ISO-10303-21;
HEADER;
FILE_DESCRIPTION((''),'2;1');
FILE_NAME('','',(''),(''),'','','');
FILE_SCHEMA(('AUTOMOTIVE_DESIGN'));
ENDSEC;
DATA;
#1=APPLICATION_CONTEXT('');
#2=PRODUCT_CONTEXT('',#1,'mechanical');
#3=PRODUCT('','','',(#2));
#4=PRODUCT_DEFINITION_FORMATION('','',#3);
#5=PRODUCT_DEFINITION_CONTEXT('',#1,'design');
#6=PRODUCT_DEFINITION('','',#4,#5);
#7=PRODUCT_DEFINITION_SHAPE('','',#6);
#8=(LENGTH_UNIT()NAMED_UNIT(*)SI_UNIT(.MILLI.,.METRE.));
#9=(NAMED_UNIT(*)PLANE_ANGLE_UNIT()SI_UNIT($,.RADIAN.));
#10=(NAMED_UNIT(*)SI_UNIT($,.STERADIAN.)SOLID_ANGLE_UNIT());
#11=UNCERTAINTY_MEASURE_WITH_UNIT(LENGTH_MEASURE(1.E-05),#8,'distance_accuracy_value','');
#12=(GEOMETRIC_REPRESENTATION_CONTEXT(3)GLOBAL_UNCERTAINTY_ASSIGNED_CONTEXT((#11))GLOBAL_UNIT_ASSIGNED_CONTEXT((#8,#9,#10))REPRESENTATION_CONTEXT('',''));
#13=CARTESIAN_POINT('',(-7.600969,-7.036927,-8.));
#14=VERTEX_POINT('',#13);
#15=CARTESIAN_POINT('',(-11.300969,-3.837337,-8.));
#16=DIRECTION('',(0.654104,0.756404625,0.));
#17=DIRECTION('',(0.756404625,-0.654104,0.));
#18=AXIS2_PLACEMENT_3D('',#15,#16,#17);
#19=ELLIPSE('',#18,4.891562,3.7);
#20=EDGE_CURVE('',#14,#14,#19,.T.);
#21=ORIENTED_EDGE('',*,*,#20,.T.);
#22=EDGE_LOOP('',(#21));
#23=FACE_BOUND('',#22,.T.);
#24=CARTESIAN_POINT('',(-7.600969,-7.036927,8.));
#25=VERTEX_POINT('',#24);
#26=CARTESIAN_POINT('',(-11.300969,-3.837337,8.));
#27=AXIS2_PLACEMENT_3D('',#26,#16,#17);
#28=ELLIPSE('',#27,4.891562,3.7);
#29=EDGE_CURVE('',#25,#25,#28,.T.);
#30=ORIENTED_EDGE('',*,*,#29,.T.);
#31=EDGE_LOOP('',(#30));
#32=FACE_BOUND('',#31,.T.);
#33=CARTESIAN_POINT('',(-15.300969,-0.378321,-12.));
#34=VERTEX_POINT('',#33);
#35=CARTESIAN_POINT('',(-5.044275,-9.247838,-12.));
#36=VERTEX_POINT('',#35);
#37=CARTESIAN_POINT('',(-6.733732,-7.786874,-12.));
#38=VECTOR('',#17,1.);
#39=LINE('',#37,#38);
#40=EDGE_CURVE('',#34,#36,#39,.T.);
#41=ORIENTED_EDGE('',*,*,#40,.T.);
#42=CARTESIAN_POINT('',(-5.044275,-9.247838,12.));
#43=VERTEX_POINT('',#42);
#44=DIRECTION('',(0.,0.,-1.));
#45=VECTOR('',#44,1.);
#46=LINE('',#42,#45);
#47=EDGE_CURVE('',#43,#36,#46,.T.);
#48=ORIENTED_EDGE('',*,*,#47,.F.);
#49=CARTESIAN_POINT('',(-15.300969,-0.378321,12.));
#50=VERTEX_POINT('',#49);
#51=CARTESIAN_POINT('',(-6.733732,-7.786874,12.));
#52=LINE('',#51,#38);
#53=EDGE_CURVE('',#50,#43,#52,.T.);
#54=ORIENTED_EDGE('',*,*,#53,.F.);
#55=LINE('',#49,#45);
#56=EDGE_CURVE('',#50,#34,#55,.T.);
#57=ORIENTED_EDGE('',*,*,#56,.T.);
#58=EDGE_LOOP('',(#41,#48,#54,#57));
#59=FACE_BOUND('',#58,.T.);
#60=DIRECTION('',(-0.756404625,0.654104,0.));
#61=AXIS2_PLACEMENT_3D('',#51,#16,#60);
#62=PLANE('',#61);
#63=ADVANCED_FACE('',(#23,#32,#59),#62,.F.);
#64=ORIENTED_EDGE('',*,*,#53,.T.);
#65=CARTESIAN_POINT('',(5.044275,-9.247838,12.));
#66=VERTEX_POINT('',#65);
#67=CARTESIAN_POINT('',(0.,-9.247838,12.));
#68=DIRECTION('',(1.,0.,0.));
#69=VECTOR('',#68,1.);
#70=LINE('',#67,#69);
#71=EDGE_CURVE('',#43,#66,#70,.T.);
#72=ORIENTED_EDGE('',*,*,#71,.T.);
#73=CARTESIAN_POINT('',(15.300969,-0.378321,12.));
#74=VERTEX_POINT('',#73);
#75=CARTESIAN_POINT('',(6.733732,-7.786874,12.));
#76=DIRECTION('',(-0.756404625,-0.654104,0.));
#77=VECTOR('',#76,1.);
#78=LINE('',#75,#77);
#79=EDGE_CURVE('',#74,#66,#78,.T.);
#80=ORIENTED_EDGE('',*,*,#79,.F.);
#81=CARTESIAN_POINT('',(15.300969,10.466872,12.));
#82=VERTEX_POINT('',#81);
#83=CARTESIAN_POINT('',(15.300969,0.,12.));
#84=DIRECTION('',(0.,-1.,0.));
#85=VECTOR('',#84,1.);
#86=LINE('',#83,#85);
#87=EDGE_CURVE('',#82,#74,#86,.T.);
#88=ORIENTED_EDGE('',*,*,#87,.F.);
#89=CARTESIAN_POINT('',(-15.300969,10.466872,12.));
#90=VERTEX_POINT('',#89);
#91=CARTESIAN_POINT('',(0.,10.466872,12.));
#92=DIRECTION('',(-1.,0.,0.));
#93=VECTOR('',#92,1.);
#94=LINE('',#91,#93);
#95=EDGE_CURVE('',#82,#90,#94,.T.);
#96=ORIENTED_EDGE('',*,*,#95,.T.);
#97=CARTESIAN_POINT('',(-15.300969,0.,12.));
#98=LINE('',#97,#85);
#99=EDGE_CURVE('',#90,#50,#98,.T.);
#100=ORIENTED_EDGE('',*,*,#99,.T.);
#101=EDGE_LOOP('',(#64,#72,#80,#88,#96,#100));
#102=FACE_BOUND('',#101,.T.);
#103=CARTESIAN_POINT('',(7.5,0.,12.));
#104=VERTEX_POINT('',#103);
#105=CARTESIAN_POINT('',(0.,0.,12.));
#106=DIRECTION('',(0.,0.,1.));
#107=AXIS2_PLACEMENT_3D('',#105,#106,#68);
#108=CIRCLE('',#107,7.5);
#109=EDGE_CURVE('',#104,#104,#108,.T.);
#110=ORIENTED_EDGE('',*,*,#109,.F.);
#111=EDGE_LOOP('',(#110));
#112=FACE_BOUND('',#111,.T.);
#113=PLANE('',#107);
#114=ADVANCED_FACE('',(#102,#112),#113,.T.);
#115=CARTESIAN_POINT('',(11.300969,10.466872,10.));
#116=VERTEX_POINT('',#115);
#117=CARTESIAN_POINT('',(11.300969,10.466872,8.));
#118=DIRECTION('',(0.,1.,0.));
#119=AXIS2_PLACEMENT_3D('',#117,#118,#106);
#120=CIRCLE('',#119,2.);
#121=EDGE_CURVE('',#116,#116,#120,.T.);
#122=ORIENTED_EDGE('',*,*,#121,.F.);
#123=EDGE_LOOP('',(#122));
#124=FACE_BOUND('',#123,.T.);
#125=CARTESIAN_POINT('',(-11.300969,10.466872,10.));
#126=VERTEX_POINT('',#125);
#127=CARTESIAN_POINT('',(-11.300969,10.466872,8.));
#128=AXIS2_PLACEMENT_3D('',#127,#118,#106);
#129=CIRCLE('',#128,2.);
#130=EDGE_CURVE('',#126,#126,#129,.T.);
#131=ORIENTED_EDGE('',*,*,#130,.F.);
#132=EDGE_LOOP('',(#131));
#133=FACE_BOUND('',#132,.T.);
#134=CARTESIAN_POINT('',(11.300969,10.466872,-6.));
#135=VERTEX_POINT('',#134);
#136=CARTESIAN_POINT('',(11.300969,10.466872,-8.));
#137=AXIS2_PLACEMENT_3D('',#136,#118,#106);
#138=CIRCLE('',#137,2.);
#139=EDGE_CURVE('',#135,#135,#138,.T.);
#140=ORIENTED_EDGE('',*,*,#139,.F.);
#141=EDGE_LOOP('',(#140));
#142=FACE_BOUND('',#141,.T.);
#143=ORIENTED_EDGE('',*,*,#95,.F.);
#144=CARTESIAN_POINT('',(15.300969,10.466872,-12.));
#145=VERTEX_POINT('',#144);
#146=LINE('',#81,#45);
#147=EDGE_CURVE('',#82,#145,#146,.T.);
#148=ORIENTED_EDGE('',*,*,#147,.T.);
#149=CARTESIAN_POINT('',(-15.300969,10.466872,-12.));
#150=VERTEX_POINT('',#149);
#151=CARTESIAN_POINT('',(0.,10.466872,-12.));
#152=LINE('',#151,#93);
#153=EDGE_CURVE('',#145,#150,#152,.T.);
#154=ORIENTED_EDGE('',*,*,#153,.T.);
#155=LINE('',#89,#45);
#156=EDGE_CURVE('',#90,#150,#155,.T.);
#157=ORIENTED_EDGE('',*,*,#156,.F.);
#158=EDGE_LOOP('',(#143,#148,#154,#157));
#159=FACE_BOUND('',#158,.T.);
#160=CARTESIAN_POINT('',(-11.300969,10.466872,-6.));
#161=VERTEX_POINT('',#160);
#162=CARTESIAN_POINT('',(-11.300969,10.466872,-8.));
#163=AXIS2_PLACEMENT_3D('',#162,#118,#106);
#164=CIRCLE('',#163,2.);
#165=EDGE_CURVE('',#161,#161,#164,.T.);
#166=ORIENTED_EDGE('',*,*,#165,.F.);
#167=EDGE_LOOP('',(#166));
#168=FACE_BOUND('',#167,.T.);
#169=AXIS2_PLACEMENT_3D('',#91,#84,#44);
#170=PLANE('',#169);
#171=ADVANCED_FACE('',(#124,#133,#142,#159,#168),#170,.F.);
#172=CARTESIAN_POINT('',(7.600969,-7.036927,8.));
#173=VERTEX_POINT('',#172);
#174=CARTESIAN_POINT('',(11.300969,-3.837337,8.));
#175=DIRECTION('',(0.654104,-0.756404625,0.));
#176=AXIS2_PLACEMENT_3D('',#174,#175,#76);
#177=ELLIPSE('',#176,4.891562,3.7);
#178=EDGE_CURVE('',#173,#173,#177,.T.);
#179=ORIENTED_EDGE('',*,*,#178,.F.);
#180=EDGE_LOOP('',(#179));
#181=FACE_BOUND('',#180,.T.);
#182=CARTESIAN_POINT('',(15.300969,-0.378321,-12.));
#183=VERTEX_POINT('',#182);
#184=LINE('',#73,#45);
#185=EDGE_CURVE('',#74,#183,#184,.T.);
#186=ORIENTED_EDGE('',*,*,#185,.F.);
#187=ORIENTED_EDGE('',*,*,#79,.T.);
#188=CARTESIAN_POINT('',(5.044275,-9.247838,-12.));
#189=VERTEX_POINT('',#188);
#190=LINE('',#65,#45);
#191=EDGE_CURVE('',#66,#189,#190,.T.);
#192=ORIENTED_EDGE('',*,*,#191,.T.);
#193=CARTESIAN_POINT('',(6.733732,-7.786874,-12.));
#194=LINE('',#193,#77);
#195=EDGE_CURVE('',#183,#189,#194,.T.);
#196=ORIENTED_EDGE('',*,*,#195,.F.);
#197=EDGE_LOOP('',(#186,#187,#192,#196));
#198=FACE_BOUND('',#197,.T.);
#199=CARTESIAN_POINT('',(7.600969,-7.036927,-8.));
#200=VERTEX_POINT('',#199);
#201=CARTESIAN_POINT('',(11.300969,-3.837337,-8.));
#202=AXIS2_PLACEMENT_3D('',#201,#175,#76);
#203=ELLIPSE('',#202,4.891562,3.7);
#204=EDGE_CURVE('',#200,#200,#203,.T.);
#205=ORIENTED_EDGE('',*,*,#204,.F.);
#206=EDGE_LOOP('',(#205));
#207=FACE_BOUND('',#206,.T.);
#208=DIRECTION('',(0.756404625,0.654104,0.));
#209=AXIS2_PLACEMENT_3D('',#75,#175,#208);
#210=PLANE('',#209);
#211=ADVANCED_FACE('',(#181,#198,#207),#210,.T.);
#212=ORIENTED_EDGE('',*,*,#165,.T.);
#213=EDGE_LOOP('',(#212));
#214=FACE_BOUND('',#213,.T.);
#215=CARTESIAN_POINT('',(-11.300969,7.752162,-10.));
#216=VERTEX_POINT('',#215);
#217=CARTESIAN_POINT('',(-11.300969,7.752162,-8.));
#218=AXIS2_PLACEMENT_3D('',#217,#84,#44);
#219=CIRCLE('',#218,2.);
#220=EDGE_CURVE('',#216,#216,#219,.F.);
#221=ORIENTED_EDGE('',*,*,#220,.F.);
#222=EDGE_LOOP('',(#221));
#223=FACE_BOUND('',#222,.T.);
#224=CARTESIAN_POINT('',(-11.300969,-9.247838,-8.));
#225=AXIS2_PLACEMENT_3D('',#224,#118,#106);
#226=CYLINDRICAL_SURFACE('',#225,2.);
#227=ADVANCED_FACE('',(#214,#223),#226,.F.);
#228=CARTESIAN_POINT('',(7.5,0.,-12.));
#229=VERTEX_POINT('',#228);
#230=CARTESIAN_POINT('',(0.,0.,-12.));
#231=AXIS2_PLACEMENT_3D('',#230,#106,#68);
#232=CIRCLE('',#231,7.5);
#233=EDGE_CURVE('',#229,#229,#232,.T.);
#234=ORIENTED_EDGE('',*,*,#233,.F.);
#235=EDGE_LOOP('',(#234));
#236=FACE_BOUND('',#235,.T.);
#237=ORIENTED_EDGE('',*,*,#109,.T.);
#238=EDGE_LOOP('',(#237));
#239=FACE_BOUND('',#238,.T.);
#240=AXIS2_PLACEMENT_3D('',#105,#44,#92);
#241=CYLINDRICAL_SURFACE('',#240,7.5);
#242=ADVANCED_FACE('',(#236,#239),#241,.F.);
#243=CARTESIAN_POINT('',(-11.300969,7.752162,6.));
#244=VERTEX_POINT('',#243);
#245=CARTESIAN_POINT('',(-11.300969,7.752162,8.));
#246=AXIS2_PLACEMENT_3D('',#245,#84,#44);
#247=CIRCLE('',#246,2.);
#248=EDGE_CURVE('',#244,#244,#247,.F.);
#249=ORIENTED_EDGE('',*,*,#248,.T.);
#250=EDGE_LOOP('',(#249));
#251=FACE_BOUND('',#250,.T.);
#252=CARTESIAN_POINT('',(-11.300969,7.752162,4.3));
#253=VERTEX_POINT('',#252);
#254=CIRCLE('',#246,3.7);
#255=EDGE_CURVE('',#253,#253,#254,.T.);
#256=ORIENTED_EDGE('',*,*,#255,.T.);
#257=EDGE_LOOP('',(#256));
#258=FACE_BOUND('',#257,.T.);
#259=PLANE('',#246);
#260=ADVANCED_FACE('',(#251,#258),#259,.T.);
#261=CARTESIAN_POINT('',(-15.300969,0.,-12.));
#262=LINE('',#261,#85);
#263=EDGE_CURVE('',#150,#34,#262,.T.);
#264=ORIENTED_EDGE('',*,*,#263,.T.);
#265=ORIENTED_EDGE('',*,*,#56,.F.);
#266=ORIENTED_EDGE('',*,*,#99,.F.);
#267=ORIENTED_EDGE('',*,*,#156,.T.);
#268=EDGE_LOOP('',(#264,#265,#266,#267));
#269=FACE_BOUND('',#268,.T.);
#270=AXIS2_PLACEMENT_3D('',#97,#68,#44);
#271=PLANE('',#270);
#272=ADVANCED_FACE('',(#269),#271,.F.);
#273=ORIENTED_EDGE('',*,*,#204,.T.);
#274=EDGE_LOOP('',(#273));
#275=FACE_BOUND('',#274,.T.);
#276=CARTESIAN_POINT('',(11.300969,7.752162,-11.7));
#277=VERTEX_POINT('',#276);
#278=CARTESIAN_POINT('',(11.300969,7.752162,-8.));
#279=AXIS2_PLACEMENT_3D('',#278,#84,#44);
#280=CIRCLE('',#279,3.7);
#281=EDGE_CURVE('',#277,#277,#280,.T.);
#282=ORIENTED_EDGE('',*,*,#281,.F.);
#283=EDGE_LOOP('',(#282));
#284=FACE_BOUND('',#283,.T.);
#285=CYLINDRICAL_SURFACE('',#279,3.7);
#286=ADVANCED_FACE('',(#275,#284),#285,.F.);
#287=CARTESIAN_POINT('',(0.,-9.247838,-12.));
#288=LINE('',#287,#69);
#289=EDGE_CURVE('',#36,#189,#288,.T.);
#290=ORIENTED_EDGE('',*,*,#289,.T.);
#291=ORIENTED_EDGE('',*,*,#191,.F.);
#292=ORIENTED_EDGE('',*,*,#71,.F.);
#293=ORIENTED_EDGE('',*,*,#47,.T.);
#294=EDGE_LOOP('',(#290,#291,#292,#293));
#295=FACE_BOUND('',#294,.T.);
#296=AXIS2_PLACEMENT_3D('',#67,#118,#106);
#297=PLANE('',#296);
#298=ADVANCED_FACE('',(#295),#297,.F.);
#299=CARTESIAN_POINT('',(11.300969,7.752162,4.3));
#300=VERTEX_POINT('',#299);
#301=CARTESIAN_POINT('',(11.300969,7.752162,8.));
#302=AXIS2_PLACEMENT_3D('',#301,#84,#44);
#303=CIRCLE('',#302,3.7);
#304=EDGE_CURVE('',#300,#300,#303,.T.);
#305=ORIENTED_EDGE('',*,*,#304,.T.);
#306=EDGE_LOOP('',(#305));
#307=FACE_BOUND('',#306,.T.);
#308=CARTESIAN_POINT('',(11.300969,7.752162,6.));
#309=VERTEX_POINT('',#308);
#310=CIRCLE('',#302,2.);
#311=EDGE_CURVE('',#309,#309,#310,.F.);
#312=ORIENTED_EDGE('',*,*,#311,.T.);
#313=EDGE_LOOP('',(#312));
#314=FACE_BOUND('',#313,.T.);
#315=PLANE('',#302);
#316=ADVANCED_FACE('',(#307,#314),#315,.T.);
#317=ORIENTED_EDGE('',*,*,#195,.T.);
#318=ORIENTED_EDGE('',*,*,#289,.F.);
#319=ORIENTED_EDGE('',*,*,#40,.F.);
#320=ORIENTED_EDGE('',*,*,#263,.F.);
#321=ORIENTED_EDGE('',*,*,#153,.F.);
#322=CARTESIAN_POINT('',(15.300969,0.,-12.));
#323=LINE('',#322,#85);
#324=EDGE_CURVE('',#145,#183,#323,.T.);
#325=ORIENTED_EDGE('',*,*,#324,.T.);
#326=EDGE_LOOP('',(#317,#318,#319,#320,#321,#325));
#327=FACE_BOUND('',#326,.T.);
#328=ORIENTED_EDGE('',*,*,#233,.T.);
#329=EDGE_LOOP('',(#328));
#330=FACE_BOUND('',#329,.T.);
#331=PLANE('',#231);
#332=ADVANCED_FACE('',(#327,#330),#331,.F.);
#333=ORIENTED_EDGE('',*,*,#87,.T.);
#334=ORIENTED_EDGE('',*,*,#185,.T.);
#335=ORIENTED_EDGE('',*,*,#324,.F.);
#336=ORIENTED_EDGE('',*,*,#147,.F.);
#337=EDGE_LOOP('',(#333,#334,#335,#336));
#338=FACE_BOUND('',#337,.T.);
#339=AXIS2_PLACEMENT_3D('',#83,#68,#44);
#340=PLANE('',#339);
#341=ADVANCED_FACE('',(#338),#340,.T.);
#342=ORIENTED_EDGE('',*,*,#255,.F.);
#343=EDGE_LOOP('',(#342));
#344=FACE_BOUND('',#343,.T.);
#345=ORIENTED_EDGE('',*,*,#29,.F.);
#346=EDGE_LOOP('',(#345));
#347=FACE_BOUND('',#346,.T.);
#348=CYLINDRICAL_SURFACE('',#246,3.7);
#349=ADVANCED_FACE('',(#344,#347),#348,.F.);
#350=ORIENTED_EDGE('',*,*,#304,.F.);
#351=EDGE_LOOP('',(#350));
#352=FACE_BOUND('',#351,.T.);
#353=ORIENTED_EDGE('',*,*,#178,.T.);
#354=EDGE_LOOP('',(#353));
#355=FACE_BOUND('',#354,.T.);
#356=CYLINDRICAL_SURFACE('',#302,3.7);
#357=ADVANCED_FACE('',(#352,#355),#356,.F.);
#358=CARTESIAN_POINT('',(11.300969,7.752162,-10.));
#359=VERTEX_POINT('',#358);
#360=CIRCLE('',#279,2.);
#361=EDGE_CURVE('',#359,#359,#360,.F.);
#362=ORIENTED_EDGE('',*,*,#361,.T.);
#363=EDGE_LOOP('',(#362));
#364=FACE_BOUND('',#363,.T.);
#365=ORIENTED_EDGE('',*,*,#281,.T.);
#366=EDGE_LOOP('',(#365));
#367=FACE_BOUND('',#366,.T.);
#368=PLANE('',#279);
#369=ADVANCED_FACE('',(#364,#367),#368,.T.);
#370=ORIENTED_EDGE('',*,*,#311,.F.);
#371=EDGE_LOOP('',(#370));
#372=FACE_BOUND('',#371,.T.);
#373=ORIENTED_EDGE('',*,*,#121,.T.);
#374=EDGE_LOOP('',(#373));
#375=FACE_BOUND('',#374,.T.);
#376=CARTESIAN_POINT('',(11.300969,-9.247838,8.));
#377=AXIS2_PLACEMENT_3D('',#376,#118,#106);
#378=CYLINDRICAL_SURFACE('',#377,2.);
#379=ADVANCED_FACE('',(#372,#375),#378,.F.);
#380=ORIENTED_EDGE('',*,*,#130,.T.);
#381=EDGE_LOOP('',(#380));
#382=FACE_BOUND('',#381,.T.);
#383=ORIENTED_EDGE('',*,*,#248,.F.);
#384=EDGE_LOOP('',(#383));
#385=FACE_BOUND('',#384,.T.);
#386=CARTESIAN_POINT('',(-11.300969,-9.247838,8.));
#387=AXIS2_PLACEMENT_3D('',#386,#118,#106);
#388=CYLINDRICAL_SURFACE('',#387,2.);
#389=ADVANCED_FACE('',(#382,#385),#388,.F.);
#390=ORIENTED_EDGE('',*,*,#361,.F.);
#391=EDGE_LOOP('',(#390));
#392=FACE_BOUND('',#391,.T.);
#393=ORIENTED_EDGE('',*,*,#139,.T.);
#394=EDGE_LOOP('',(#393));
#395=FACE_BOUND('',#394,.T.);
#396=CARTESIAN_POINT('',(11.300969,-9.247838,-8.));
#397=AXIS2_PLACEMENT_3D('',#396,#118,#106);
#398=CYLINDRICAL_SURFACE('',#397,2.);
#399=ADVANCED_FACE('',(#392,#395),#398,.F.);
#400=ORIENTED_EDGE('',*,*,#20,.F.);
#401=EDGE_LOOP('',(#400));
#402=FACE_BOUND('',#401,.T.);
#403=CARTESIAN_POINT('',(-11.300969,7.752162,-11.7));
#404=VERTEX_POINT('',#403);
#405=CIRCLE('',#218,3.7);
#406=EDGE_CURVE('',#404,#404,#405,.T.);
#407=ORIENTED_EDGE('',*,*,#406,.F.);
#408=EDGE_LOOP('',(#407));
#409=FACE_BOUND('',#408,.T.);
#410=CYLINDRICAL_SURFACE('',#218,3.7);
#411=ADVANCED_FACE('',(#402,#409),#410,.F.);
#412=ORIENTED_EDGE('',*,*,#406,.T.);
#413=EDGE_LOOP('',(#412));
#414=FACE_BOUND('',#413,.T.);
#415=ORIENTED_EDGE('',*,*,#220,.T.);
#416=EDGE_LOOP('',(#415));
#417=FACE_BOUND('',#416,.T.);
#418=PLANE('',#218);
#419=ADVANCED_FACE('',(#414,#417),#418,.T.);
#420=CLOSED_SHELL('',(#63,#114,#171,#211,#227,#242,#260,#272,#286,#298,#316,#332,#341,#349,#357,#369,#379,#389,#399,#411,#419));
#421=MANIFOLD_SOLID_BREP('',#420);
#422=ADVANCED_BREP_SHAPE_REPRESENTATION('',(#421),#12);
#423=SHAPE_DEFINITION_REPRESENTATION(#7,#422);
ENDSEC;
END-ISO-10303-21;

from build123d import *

# Parameters (mm, degrees)
BOSS_EXTRU_1_DEPTH      = 12
ESQUISSE2_R             = 2
ENL_V_MAT_EXTRU_1_DEPTH = 28.690963204
ESQUISSE4_R             = 3.7
ENL_V_MAT_EXTRU_2_DEPTH = 17


with BuildPart() as part:
    # Esquisse1 → Boss.-Extru.1 (new, symmetric)
    with BuildSketch(Plane.XY):
        with BuildLine():
            Line((15.300968977, -0.378320662), (15.300968977, 10.466871635))
            Line((15.300968977, 10.466871635), (0, 10.466871635))
            Line((0, 10.466871635), (0, 7.5))
            ThreePointArc((0, 7.5), (5.303300859, 5.303300859), (7.5, 0))
            ThreePointArc((7.5, 0), (5.303300859, -5.303300859), (0, -7.5))
            Line((0, -7.5), (0, -9.247838393))
            Line((0, -9.247838393), (5.044275487, -9.247838393))
            Line((5.044275487, -9.247838393), (15.300968977, -0.378320662))
        make_face()
        with BuildLine():
            Line((0, 7.5), (0, 10.466871635))
            Line((0, 10.466871635), (-15.300968977, 10.466871635))
            Line((-15.300968977, 10.466871635), (-15.300968977, -0.378320662))
            Line((-15.300968977, -0.378320662), (-5.044275487, -9.247838393))
            Line((-5.044275487, -9.247838393), (0, -9.247838393))
            Line((0, -9.247838393), (0, -7.5))
            ThreePointArc((0, -7.5), (-7.5, 0), (0, 7.5))
        make_face()
    extrude(amount=BOSS_EXTRU_1_DEPTH, both=True)

    # Esquisse2 → Enlèv. mat.-Extru.1 (cut, through all)
    with BuildSketch(Plane(origin=(0, 10.466871635, 0), x_dir=(1, 0, 0), z_dir=(0, 1, 0))):
        with Locations(Location((-11.300968977, 8, 0), (0, 0, 270))):
            Circle(ESQUISSE2_R)
        with Locations(Location((-11.300968977, -8, 0), (0, 0, 270))):
            Circle(ESQUISSE2_R)
        with Locations(Location((11.300968977, -8, 0), (0, 0, 270))):
            Circle(ESQUISSE2_R)
        with Locations(Location((11.300968977, 8, 0), (0, 0, 270))):
            Circle(ESQUISSE2_R)
    extrude(amount=-ENL_V_MAT_EXTRU_1_DEPTH, mode=Mode.SUBTRACT)

    # Esquisse4 → Enlèv. mat.-Extru.2 (cut)
    with BuildSketch(Plane.XZ.offset(9.247838393)):
        with Locations(Location((-11.300968977, 8, 0), (0, 0, 270))):
            Circle(ESQUISSE4_R)
        with Locations(Location((-11.300968977, -8, 0), (0, 0, 270))):
            Circle(ESQUISSE4_R)
        with Locations(Location((11.300968977, 8, 0), (0, 0, 270))):
            Circle(ESQUISSE4_R)
        with Locations(Location((11.300968977, -8, 0), (0, 0, 270))):
            Circle(ESQUISSE4_R)
    extrude(amount=-ENL_V_MAT_EXTRU_2_DEPTH, mode=Mode.SUBTRACT)


solid = part.part
